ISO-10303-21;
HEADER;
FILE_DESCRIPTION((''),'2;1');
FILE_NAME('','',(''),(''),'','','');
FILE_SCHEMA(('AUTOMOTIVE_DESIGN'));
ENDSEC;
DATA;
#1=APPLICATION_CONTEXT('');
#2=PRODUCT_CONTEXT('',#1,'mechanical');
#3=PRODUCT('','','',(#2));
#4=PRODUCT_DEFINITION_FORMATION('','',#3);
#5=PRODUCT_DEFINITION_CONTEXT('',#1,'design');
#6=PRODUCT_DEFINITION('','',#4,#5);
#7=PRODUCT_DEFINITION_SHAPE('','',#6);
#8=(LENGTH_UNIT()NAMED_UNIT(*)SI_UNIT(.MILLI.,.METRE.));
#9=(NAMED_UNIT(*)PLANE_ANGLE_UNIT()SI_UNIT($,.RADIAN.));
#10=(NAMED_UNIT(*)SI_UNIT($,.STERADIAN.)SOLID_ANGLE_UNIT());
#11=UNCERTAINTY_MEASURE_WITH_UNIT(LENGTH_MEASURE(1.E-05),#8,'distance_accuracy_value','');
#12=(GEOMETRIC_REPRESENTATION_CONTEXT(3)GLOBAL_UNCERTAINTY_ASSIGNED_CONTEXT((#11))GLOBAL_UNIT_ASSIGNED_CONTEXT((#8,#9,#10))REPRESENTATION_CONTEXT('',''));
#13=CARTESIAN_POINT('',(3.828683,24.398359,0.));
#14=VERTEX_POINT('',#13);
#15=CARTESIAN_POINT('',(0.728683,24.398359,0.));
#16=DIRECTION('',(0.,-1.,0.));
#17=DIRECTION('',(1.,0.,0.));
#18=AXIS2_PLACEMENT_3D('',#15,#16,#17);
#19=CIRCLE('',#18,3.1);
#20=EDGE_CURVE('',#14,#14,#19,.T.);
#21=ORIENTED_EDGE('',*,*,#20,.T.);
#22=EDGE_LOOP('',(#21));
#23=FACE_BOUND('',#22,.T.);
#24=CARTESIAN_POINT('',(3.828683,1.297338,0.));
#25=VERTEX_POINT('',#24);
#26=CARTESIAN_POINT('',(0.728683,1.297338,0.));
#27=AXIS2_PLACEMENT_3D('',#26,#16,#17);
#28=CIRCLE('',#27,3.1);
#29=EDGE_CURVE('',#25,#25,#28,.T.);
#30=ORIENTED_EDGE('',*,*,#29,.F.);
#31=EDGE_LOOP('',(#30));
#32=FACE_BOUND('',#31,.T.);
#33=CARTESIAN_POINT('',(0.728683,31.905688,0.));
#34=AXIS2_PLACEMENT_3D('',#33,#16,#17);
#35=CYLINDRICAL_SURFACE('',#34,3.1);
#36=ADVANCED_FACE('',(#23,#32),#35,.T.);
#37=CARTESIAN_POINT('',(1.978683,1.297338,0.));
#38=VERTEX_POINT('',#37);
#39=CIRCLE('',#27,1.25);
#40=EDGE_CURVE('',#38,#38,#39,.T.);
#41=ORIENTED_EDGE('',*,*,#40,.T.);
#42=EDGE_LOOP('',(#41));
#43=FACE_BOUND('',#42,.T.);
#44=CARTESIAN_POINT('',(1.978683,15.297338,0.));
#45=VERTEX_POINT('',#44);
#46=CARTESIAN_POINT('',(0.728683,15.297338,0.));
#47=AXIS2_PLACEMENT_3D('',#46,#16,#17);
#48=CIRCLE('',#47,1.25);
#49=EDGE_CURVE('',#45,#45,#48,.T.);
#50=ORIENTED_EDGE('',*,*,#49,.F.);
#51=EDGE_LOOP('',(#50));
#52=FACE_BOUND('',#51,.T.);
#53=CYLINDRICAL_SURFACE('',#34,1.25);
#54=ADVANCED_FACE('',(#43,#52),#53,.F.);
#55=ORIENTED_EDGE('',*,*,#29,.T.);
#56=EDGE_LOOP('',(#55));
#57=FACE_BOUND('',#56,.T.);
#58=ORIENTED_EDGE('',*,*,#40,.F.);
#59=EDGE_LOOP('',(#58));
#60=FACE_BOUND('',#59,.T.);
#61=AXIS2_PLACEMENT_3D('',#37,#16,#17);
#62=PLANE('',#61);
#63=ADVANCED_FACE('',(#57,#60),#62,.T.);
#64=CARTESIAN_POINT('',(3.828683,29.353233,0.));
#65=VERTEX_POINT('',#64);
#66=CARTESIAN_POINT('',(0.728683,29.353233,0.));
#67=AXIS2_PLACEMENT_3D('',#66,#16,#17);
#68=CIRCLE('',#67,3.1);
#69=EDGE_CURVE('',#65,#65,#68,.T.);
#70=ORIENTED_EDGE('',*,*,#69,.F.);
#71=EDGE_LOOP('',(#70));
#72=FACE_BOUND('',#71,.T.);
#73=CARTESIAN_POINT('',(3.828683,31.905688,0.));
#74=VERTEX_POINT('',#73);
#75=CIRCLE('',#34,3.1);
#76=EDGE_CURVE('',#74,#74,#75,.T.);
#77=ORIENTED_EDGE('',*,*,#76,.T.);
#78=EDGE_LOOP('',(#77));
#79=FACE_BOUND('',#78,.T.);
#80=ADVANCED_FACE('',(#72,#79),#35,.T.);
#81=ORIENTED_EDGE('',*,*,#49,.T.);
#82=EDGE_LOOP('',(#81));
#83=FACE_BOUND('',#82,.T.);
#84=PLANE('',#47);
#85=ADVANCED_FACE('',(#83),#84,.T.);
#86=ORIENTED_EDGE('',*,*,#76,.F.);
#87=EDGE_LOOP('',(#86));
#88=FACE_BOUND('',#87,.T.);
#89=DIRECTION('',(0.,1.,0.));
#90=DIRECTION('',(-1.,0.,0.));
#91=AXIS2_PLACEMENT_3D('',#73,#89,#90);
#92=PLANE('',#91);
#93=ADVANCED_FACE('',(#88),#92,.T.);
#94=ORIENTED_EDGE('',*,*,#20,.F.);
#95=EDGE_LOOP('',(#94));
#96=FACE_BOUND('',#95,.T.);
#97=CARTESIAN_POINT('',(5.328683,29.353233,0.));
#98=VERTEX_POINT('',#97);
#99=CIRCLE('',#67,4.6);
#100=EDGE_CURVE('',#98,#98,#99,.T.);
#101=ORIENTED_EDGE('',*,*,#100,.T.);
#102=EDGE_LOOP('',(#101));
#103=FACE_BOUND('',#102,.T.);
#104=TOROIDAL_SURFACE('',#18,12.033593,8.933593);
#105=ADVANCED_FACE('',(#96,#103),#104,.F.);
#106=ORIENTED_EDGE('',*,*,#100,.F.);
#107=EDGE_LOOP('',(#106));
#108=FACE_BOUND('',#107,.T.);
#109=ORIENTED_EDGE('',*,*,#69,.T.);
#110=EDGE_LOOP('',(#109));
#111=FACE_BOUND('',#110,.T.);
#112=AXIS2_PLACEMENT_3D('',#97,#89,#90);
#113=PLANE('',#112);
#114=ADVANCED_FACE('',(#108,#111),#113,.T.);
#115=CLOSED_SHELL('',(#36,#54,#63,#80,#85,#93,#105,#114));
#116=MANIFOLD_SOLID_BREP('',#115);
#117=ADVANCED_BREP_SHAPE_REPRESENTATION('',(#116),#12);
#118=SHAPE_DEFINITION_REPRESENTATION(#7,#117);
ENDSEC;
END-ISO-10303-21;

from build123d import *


with BuildPart() as part:
    # Croquis1 → Revolución1 (revolve)
    with BuildSketch(Plane.XY):
        with BuildLine():
            Line((3.828682558, 31.905687985), (0.728682558, 31.905687985))
            Line((0.728682558, 31.905687985), (0.728682558, 15.29733828))
            Line((0.728682558, 15.29733828), (1.978682558, 15.29733828))
            Line((1.978682558, 15.29733828), (1.978682558, 1.29733828))
            Line((1.978682558, 1.29733828), (3.828682558, 1.29733828))
            Line((3.828682558, 1.29733828), (3.828682558, 24.39835879))
            ThreePointArc((3.828682558, 24.39835879), (4.211901933, 26.986832177), (5.328682558, 29.353232947))
            Line((5.328682558, 29.353232947), (3.828682558, 29.353232947))
            Line((3.828682558, 29.353232947), (3.828682558, 31.905687985))
        make_face()
    revolve(axis=Axis((0.728682558, 31.905687985, 0), (0, -1, 0)))


solid = part.part
